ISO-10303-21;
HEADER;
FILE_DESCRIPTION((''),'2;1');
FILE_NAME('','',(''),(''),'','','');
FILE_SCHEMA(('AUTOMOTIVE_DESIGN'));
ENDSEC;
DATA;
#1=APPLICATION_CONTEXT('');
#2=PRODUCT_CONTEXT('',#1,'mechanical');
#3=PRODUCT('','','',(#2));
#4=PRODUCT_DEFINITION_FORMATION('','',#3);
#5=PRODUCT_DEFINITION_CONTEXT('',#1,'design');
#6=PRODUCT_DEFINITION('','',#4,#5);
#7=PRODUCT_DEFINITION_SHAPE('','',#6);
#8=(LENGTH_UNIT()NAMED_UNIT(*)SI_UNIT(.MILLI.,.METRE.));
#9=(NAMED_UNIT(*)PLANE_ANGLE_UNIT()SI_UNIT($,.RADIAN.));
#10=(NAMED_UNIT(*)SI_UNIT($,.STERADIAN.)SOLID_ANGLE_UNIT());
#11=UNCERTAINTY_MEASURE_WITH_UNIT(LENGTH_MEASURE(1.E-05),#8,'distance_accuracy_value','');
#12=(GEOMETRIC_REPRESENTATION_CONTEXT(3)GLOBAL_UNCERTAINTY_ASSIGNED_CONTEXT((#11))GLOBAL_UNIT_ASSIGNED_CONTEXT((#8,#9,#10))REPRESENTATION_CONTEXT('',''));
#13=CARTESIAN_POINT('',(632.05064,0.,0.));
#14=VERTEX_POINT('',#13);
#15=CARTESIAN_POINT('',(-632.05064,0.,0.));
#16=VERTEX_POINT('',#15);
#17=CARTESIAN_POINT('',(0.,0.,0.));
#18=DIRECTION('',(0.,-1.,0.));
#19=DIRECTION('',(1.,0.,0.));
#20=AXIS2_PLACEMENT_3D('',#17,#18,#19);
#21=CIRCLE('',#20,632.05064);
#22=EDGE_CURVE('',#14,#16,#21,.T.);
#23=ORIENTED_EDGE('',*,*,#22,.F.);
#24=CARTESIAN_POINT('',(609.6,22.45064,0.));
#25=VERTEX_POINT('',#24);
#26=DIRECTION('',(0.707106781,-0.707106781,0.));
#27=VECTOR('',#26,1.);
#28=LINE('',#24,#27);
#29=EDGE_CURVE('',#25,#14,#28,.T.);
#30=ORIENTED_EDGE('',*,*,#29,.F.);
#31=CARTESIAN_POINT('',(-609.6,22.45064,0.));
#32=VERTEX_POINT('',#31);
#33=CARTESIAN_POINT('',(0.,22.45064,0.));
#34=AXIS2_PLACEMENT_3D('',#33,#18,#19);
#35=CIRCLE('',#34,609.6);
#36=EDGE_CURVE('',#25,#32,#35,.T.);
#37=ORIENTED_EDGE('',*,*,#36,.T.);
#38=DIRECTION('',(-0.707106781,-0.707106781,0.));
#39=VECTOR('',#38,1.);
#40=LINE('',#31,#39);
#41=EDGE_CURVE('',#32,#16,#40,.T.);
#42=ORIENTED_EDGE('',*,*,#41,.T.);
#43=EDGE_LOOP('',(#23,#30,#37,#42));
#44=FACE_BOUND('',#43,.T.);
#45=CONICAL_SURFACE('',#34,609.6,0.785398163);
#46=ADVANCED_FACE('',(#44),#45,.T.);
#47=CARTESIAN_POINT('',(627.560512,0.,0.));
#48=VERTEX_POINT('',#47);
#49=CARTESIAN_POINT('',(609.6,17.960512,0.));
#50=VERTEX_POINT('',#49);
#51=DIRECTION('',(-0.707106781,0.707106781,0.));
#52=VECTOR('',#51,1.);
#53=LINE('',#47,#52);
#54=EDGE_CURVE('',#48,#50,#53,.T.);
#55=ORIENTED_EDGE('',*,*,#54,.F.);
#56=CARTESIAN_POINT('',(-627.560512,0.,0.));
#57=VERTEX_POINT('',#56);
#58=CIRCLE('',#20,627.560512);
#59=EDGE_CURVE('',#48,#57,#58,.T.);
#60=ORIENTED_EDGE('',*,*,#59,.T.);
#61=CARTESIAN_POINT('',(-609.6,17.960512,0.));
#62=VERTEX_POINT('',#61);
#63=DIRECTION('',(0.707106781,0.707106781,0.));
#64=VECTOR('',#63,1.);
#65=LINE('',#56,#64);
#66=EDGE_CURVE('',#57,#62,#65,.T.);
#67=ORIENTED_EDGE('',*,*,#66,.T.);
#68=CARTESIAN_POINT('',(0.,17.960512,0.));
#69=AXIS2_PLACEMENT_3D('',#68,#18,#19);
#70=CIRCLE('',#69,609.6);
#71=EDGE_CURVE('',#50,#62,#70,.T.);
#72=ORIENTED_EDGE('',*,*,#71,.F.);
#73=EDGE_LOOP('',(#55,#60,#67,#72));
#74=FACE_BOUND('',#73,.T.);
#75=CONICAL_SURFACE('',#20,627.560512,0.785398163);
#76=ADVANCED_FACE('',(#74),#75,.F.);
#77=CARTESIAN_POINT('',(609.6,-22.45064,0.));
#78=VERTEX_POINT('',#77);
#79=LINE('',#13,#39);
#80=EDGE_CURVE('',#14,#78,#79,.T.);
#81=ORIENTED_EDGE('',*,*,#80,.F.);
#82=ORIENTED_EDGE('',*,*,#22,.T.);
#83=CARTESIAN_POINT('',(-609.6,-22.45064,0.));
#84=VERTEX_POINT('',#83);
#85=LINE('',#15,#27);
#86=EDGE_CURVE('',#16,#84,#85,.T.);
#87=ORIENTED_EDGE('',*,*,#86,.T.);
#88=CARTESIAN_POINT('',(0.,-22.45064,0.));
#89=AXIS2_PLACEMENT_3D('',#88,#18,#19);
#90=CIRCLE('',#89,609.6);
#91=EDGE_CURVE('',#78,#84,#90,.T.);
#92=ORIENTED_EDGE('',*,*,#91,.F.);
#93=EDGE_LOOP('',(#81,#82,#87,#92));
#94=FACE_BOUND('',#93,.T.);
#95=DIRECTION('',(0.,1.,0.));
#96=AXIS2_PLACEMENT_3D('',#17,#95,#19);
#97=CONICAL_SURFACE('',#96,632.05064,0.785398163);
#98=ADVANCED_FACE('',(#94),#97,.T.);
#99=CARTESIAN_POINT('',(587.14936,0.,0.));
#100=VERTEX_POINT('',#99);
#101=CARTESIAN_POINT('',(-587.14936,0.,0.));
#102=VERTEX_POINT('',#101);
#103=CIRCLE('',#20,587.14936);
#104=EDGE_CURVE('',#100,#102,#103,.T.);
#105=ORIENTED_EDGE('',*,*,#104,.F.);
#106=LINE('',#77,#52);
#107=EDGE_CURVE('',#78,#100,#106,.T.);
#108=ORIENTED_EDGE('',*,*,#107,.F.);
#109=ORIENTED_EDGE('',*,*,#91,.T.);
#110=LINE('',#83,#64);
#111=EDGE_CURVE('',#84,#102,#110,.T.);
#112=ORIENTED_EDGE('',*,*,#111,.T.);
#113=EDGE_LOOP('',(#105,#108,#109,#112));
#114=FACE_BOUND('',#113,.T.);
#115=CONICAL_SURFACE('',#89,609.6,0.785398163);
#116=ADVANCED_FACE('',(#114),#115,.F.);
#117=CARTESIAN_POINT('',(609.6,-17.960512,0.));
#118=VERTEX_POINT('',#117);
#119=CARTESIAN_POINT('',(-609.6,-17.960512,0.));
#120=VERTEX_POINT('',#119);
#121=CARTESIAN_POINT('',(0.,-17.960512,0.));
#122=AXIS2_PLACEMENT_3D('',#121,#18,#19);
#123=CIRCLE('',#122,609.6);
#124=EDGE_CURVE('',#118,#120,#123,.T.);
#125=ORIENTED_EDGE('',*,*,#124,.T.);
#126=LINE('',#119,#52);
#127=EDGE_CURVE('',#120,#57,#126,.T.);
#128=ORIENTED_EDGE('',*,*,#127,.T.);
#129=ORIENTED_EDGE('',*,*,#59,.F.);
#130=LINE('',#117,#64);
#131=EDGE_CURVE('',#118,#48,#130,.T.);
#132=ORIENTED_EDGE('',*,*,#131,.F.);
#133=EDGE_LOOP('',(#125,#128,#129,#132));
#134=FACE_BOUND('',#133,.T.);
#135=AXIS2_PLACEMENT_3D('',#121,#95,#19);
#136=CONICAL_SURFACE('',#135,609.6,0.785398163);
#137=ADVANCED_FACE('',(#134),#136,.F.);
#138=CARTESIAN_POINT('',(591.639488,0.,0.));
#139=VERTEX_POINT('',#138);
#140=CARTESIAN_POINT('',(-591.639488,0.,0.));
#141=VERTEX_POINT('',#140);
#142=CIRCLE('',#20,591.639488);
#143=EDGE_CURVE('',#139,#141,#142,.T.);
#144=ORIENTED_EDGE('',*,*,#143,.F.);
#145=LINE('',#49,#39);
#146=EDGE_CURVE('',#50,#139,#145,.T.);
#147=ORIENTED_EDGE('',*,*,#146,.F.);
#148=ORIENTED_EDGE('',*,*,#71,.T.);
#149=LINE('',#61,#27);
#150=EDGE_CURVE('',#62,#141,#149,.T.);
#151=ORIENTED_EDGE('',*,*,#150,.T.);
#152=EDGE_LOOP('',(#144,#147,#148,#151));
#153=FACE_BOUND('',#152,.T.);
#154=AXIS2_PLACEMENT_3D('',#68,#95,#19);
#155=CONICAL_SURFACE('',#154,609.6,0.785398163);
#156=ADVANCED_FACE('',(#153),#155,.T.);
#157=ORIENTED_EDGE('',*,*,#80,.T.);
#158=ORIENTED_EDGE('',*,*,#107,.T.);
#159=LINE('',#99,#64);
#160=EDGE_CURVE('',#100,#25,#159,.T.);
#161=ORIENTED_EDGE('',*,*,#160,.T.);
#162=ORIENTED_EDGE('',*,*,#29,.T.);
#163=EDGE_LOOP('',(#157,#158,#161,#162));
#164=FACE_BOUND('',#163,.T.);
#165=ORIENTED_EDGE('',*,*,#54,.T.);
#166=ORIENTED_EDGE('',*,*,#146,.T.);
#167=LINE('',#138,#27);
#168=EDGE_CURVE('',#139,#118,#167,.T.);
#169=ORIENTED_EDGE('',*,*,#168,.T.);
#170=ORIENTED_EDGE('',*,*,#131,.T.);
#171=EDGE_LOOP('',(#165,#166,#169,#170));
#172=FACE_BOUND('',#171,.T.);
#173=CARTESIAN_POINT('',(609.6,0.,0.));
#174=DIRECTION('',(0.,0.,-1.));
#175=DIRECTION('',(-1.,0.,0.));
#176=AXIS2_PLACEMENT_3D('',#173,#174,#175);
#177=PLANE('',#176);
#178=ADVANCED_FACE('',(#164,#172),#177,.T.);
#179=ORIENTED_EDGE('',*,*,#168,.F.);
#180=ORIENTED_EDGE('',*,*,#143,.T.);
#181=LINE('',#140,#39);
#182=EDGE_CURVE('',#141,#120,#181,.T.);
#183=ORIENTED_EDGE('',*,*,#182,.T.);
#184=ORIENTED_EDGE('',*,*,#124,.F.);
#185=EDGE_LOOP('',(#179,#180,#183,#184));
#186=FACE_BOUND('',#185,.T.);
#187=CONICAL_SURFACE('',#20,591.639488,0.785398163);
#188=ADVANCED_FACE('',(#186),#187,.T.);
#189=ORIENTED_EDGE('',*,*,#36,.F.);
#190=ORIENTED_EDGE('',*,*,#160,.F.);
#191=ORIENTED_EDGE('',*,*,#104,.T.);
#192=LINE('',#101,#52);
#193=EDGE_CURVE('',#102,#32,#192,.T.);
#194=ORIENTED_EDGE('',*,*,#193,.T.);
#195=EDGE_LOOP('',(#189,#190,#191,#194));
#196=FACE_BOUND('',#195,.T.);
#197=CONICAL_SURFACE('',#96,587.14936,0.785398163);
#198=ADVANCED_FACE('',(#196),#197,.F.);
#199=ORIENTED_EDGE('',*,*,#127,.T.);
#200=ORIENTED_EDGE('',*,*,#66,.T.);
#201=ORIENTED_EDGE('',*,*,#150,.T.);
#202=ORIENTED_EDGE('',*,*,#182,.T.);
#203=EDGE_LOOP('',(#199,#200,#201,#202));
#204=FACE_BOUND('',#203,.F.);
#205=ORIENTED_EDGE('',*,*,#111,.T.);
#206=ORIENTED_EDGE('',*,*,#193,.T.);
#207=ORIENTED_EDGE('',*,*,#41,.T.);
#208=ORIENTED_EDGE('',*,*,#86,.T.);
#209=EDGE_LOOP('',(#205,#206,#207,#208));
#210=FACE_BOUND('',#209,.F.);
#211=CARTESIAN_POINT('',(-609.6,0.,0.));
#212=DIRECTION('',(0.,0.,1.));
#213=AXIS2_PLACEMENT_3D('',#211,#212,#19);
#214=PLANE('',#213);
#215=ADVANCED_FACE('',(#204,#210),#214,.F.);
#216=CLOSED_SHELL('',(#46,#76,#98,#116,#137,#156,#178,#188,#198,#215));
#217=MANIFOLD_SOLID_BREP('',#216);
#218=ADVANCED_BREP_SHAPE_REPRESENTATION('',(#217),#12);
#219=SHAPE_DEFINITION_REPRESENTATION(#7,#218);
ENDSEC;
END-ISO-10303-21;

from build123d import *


with BuildPart() as f2:
    # F2: sweep along a path in F0
    with BuildLine(Plane.XZ) as f2_path:
        ThreePointArc((609.6, 0), (0, 609.6), (-609.6, 0))
    # F1 (on Top) → F2 (sweep)
    with BuildSketch(Plane.XY):
        Polygon((-587.14936, 0), (-609.6, 22.45064), (-632.05064, 0), (-609.6, -22.45064), align=None)
        Polygon((-591.639488, 0), (-609.6, -17.960512), (-627.560512, 0), (-609.6, 17.960512), align=None, mode=Mode.SUBTRACT)
    sweep(path=f2_path.line)


solid = f2.part
